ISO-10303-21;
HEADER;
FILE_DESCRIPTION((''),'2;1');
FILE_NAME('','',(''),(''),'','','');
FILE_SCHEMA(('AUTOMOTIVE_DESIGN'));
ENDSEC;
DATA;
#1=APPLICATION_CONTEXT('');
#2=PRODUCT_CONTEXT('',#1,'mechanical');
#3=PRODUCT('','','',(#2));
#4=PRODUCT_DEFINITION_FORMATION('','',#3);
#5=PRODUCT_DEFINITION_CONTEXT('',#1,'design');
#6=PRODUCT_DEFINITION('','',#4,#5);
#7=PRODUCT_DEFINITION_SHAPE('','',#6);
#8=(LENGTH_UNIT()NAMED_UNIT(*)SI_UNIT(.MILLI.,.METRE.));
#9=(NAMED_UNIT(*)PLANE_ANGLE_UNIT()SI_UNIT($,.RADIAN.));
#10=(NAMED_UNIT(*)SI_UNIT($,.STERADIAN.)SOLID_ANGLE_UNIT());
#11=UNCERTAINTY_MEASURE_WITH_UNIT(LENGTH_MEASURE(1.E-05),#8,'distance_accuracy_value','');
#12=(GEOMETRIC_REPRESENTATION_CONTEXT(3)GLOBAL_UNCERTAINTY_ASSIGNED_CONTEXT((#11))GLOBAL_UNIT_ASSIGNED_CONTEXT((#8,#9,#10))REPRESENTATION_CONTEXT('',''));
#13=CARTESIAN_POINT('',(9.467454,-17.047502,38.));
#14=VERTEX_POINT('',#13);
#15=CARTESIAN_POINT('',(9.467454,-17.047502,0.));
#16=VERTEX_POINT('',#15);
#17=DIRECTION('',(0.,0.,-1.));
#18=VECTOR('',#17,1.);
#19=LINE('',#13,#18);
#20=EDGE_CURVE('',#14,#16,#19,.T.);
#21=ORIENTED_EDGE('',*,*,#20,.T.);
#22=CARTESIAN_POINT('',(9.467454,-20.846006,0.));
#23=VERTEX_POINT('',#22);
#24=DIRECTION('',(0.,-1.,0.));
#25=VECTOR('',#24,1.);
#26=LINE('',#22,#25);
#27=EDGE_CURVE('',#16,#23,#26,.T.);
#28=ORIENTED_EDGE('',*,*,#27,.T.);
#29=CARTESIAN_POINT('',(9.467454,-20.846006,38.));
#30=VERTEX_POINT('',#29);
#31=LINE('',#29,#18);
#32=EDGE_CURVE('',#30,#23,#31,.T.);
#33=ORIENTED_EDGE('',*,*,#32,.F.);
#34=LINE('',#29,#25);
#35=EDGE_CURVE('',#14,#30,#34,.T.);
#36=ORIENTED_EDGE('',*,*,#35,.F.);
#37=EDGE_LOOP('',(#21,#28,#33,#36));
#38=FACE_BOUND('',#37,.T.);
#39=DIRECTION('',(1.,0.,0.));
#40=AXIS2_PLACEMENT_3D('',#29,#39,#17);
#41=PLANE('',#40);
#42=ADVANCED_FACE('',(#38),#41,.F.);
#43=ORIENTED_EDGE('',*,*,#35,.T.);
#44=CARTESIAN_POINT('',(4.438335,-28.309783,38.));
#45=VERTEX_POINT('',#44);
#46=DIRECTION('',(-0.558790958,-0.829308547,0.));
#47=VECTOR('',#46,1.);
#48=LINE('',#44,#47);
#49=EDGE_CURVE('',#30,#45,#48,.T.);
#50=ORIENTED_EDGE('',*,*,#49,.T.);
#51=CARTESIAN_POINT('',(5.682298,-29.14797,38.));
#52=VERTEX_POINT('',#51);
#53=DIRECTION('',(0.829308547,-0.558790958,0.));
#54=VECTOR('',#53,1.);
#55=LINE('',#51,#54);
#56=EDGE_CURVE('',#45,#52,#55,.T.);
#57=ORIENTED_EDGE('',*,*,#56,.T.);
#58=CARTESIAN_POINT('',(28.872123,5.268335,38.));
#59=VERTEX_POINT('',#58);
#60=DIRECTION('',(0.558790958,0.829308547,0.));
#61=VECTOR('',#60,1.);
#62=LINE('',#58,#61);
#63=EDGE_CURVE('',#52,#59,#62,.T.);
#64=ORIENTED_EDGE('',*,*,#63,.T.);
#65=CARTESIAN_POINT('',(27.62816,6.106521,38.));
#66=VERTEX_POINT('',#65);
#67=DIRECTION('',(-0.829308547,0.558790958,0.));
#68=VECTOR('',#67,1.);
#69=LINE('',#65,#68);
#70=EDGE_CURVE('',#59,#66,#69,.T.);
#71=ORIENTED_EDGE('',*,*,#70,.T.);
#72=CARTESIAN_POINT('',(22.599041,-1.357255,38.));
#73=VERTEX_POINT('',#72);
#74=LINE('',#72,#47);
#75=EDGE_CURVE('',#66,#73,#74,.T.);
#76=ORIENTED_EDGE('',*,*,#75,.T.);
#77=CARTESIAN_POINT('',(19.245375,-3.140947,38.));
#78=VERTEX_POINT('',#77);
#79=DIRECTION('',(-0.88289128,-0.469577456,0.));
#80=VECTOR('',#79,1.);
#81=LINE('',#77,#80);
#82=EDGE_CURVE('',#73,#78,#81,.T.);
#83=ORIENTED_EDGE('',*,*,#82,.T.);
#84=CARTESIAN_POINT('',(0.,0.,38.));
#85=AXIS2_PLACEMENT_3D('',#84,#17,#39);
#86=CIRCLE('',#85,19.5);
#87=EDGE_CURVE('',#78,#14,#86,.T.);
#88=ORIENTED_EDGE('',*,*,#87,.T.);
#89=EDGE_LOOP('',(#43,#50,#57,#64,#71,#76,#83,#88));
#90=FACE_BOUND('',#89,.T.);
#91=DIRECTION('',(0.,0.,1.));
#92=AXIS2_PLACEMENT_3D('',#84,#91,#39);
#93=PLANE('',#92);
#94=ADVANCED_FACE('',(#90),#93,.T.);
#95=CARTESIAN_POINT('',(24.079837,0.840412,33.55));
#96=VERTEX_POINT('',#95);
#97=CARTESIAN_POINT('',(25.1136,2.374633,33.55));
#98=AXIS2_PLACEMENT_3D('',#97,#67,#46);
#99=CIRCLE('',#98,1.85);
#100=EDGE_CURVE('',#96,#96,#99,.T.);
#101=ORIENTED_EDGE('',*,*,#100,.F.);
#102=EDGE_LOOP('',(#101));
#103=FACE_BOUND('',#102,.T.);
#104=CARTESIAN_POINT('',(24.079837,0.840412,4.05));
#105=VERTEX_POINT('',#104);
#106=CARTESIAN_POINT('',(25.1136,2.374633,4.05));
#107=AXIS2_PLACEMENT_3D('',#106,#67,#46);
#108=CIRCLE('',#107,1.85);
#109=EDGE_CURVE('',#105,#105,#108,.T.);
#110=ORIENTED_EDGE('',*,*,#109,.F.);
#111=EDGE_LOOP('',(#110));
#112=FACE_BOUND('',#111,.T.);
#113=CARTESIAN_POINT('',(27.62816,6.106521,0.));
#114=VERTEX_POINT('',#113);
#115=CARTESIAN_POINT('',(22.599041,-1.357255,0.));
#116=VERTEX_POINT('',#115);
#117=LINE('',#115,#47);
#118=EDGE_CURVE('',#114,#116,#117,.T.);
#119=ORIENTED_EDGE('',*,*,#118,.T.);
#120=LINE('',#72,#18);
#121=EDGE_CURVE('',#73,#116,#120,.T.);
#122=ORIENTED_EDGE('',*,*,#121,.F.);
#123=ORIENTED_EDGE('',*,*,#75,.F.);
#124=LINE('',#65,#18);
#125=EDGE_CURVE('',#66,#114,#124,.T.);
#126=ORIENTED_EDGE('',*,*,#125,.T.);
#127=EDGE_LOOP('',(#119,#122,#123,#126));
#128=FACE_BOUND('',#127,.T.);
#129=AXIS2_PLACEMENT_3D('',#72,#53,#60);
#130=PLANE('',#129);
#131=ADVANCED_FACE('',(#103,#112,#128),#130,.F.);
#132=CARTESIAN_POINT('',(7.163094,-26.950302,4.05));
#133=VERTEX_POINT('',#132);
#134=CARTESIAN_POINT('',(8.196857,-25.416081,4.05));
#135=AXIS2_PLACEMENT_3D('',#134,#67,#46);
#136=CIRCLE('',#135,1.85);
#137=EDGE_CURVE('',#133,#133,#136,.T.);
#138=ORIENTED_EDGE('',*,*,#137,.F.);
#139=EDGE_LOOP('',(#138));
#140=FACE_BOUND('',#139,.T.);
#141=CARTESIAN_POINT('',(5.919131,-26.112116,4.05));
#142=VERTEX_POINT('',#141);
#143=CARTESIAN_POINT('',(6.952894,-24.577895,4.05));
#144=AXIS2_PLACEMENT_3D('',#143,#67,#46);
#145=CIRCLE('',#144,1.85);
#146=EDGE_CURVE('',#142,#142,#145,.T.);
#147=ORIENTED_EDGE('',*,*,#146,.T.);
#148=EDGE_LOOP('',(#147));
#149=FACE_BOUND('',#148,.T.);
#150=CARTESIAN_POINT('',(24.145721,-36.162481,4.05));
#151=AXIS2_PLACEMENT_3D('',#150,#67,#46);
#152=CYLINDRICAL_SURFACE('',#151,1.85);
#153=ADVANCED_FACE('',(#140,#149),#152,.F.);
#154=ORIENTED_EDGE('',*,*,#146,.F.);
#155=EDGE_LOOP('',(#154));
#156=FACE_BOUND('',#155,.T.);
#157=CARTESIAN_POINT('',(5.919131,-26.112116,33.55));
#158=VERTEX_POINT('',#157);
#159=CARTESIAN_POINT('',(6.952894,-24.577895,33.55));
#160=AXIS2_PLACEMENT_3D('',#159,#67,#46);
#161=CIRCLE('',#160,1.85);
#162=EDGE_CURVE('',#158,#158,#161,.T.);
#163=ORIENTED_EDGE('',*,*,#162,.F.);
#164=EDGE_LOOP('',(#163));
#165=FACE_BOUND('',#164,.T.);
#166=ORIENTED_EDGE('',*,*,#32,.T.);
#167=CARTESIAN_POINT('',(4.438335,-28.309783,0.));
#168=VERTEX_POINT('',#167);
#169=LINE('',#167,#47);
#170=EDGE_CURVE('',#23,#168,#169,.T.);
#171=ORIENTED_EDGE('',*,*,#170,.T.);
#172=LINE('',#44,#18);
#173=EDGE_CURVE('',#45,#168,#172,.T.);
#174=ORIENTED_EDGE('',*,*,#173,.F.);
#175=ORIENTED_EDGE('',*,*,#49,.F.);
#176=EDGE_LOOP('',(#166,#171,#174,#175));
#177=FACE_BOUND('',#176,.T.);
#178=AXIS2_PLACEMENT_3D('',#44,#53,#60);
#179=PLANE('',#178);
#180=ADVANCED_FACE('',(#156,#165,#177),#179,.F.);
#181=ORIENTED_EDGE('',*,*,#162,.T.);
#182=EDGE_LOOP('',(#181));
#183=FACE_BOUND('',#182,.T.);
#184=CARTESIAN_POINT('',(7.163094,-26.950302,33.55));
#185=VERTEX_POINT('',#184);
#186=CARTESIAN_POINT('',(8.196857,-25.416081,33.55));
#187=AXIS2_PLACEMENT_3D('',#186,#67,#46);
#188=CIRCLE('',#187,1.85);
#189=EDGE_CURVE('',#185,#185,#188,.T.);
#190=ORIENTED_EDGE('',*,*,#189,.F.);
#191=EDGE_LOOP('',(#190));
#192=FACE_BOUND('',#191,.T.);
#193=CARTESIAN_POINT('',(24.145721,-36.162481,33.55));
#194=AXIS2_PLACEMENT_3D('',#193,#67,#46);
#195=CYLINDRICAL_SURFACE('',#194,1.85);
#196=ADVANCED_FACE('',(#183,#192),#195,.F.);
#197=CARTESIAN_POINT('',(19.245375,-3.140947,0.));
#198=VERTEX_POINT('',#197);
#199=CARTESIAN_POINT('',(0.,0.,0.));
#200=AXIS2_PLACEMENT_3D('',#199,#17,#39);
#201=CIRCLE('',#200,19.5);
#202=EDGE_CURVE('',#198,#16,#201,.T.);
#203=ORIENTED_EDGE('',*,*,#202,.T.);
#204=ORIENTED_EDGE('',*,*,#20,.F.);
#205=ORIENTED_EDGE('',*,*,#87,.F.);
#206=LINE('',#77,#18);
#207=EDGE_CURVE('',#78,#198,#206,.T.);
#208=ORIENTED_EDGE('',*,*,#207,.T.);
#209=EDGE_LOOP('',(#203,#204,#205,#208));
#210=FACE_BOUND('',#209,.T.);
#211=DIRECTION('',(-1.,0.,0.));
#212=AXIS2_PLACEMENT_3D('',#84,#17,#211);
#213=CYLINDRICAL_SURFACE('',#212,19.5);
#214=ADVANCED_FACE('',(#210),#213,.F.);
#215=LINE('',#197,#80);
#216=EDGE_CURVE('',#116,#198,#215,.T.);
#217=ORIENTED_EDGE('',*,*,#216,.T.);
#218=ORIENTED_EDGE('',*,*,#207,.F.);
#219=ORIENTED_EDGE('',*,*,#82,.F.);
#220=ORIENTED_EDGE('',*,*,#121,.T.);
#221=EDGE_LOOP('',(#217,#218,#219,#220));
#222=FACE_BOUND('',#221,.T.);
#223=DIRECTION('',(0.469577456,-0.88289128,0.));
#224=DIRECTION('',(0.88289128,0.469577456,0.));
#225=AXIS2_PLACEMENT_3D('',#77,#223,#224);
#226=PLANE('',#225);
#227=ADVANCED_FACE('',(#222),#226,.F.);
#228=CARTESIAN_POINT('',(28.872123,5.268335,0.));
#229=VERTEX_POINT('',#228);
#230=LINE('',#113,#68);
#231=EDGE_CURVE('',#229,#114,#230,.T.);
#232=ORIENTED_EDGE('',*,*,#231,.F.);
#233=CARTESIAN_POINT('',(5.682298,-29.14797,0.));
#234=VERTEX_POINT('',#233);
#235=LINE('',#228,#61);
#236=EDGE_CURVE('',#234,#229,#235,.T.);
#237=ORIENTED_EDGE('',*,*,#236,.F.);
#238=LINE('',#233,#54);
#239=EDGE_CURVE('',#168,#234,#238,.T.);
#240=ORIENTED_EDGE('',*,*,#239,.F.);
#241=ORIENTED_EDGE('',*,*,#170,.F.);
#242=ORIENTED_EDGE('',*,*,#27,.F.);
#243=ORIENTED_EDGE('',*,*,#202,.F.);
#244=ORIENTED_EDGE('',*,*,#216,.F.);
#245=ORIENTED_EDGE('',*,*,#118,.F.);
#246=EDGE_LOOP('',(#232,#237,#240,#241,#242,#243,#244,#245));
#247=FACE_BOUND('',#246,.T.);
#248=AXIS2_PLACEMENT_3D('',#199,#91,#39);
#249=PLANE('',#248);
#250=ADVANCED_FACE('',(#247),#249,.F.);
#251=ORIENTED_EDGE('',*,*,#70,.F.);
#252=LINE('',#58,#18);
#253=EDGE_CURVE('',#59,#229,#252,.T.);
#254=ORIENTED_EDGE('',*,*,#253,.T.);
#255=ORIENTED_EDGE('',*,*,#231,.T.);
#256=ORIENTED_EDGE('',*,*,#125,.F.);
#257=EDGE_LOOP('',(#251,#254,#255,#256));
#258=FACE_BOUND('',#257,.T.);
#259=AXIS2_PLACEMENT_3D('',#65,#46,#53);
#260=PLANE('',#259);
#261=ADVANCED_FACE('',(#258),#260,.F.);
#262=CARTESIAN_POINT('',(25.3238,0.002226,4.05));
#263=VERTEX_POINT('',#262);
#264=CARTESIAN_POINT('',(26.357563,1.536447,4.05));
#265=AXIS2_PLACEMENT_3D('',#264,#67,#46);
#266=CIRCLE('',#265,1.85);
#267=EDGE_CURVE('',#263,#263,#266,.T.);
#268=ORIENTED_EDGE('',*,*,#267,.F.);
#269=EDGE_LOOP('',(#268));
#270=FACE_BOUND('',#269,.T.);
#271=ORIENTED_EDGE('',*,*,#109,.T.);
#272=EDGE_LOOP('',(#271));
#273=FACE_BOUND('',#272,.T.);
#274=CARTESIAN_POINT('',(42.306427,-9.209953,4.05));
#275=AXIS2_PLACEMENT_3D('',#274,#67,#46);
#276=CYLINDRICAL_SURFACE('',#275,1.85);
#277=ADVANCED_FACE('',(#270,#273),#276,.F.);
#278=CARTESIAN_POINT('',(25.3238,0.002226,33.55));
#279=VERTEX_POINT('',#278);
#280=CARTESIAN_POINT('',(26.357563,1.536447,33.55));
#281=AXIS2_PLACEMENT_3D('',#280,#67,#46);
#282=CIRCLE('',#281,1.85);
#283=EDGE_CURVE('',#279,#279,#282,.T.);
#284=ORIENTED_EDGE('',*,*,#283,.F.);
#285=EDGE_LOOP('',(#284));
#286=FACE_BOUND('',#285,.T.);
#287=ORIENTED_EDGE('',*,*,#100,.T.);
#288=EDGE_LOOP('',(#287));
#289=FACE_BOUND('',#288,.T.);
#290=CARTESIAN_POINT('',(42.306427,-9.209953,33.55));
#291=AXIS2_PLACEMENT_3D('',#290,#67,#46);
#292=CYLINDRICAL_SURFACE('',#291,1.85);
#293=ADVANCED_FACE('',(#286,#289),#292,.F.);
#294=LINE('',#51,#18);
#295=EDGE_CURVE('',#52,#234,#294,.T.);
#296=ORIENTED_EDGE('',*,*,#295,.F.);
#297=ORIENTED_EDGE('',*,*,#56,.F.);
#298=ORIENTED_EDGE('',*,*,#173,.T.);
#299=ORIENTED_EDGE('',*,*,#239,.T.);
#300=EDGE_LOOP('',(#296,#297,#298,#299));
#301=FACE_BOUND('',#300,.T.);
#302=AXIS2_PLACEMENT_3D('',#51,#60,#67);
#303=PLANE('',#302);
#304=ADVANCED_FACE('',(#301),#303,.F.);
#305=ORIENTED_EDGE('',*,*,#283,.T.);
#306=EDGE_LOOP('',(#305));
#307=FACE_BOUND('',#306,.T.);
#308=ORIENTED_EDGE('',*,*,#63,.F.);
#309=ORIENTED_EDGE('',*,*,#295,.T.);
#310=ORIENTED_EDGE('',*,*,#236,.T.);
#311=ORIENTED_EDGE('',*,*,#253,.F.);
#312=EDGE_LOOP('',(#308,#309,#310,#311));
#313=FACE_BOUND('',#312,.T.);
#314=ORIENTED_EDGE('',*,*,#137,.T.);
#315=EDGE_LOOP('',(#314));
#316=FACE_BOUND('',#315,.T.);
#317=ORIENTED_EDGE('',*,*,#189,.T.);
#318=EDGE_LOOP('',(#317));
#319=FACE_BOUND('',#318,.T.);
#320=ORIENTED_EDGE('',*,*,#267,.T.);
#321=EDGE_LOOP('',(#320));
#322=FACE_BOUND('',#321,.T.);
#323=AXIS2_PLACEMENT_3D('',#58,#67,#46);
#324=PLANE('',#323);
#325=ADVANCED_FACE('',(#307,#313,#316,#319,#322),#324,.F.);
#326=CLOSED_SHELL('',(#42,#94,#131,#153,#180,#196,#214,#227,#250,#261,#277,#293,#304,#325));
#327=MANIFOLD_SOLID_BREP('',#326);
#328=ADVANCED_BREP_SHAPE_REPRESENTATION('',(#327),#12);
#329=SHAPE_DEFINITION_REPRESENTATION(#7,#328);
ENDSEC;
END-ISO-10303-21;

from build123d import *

# Parameters (mm, degrees)
BOSS_EXTRUDE1_DEPTH = 38
SKETCH2_R           = 1.85
CUT_EXTRUDE1_DEPTH  = 21.73151986


with BuildPart() as part:
    # Sketch1 → Boss-Extrude1 (new body)
    with BuildSketch(Plane.XY):
        with BuildLine():
            Line((19.245374747, -3.140947442), (22.599041108, -1.357255436))
            Line((22.599041108, -1.357255436), (27.628159729, 6.106521483))
            Line((27.628159729, 6.106521483), (28.872122548, 5.268335046))
            Line((28.872122548, 5.268335046), (5.682297797, -29.147969636))
            Line((5.682297797, -29.147969636), (4.438334977, -28.309783199))
            Line((4.438334977, -28.309783199), (9.467453598, -20.84600628))
            Line((9.467453598, -20.84600628), (9.467453598, -17.047501939))
            ThreePointArc((9.467453598, -17.047501939), (15.951636041, -11.21585073), (19.245374747, -3.140947442))
        make_face()
    extrude(amount=BOSS_EXTRUDE1_DEPTH)

    # Sketch2 → Cut-Extrude1 (cut, through all)
    with BuildSketch(Plane(origin=(16.171516658, -10.896423679, 0), x_dir=(0, 0, 1), z_dir=(-0.829308547, 0.558790958, 0))):
        with Locations((4.05, 16.002556295)):
            Circle(SKETCH2_R)
        with Locations((33.55, 16.002556295)):
            Circle(SKETCH2_R)
        with Locations((4.05, -16.497443705)):
            Circle(SKETCH2_R)
        with Locations((33.55, -16.497443705)):
            Circle(SKETCH2_R)
    extrude(amount=-CUT_EXTRUDE1_DEPTH, mode=Mode.SUBTRACT)


solid = part.part
